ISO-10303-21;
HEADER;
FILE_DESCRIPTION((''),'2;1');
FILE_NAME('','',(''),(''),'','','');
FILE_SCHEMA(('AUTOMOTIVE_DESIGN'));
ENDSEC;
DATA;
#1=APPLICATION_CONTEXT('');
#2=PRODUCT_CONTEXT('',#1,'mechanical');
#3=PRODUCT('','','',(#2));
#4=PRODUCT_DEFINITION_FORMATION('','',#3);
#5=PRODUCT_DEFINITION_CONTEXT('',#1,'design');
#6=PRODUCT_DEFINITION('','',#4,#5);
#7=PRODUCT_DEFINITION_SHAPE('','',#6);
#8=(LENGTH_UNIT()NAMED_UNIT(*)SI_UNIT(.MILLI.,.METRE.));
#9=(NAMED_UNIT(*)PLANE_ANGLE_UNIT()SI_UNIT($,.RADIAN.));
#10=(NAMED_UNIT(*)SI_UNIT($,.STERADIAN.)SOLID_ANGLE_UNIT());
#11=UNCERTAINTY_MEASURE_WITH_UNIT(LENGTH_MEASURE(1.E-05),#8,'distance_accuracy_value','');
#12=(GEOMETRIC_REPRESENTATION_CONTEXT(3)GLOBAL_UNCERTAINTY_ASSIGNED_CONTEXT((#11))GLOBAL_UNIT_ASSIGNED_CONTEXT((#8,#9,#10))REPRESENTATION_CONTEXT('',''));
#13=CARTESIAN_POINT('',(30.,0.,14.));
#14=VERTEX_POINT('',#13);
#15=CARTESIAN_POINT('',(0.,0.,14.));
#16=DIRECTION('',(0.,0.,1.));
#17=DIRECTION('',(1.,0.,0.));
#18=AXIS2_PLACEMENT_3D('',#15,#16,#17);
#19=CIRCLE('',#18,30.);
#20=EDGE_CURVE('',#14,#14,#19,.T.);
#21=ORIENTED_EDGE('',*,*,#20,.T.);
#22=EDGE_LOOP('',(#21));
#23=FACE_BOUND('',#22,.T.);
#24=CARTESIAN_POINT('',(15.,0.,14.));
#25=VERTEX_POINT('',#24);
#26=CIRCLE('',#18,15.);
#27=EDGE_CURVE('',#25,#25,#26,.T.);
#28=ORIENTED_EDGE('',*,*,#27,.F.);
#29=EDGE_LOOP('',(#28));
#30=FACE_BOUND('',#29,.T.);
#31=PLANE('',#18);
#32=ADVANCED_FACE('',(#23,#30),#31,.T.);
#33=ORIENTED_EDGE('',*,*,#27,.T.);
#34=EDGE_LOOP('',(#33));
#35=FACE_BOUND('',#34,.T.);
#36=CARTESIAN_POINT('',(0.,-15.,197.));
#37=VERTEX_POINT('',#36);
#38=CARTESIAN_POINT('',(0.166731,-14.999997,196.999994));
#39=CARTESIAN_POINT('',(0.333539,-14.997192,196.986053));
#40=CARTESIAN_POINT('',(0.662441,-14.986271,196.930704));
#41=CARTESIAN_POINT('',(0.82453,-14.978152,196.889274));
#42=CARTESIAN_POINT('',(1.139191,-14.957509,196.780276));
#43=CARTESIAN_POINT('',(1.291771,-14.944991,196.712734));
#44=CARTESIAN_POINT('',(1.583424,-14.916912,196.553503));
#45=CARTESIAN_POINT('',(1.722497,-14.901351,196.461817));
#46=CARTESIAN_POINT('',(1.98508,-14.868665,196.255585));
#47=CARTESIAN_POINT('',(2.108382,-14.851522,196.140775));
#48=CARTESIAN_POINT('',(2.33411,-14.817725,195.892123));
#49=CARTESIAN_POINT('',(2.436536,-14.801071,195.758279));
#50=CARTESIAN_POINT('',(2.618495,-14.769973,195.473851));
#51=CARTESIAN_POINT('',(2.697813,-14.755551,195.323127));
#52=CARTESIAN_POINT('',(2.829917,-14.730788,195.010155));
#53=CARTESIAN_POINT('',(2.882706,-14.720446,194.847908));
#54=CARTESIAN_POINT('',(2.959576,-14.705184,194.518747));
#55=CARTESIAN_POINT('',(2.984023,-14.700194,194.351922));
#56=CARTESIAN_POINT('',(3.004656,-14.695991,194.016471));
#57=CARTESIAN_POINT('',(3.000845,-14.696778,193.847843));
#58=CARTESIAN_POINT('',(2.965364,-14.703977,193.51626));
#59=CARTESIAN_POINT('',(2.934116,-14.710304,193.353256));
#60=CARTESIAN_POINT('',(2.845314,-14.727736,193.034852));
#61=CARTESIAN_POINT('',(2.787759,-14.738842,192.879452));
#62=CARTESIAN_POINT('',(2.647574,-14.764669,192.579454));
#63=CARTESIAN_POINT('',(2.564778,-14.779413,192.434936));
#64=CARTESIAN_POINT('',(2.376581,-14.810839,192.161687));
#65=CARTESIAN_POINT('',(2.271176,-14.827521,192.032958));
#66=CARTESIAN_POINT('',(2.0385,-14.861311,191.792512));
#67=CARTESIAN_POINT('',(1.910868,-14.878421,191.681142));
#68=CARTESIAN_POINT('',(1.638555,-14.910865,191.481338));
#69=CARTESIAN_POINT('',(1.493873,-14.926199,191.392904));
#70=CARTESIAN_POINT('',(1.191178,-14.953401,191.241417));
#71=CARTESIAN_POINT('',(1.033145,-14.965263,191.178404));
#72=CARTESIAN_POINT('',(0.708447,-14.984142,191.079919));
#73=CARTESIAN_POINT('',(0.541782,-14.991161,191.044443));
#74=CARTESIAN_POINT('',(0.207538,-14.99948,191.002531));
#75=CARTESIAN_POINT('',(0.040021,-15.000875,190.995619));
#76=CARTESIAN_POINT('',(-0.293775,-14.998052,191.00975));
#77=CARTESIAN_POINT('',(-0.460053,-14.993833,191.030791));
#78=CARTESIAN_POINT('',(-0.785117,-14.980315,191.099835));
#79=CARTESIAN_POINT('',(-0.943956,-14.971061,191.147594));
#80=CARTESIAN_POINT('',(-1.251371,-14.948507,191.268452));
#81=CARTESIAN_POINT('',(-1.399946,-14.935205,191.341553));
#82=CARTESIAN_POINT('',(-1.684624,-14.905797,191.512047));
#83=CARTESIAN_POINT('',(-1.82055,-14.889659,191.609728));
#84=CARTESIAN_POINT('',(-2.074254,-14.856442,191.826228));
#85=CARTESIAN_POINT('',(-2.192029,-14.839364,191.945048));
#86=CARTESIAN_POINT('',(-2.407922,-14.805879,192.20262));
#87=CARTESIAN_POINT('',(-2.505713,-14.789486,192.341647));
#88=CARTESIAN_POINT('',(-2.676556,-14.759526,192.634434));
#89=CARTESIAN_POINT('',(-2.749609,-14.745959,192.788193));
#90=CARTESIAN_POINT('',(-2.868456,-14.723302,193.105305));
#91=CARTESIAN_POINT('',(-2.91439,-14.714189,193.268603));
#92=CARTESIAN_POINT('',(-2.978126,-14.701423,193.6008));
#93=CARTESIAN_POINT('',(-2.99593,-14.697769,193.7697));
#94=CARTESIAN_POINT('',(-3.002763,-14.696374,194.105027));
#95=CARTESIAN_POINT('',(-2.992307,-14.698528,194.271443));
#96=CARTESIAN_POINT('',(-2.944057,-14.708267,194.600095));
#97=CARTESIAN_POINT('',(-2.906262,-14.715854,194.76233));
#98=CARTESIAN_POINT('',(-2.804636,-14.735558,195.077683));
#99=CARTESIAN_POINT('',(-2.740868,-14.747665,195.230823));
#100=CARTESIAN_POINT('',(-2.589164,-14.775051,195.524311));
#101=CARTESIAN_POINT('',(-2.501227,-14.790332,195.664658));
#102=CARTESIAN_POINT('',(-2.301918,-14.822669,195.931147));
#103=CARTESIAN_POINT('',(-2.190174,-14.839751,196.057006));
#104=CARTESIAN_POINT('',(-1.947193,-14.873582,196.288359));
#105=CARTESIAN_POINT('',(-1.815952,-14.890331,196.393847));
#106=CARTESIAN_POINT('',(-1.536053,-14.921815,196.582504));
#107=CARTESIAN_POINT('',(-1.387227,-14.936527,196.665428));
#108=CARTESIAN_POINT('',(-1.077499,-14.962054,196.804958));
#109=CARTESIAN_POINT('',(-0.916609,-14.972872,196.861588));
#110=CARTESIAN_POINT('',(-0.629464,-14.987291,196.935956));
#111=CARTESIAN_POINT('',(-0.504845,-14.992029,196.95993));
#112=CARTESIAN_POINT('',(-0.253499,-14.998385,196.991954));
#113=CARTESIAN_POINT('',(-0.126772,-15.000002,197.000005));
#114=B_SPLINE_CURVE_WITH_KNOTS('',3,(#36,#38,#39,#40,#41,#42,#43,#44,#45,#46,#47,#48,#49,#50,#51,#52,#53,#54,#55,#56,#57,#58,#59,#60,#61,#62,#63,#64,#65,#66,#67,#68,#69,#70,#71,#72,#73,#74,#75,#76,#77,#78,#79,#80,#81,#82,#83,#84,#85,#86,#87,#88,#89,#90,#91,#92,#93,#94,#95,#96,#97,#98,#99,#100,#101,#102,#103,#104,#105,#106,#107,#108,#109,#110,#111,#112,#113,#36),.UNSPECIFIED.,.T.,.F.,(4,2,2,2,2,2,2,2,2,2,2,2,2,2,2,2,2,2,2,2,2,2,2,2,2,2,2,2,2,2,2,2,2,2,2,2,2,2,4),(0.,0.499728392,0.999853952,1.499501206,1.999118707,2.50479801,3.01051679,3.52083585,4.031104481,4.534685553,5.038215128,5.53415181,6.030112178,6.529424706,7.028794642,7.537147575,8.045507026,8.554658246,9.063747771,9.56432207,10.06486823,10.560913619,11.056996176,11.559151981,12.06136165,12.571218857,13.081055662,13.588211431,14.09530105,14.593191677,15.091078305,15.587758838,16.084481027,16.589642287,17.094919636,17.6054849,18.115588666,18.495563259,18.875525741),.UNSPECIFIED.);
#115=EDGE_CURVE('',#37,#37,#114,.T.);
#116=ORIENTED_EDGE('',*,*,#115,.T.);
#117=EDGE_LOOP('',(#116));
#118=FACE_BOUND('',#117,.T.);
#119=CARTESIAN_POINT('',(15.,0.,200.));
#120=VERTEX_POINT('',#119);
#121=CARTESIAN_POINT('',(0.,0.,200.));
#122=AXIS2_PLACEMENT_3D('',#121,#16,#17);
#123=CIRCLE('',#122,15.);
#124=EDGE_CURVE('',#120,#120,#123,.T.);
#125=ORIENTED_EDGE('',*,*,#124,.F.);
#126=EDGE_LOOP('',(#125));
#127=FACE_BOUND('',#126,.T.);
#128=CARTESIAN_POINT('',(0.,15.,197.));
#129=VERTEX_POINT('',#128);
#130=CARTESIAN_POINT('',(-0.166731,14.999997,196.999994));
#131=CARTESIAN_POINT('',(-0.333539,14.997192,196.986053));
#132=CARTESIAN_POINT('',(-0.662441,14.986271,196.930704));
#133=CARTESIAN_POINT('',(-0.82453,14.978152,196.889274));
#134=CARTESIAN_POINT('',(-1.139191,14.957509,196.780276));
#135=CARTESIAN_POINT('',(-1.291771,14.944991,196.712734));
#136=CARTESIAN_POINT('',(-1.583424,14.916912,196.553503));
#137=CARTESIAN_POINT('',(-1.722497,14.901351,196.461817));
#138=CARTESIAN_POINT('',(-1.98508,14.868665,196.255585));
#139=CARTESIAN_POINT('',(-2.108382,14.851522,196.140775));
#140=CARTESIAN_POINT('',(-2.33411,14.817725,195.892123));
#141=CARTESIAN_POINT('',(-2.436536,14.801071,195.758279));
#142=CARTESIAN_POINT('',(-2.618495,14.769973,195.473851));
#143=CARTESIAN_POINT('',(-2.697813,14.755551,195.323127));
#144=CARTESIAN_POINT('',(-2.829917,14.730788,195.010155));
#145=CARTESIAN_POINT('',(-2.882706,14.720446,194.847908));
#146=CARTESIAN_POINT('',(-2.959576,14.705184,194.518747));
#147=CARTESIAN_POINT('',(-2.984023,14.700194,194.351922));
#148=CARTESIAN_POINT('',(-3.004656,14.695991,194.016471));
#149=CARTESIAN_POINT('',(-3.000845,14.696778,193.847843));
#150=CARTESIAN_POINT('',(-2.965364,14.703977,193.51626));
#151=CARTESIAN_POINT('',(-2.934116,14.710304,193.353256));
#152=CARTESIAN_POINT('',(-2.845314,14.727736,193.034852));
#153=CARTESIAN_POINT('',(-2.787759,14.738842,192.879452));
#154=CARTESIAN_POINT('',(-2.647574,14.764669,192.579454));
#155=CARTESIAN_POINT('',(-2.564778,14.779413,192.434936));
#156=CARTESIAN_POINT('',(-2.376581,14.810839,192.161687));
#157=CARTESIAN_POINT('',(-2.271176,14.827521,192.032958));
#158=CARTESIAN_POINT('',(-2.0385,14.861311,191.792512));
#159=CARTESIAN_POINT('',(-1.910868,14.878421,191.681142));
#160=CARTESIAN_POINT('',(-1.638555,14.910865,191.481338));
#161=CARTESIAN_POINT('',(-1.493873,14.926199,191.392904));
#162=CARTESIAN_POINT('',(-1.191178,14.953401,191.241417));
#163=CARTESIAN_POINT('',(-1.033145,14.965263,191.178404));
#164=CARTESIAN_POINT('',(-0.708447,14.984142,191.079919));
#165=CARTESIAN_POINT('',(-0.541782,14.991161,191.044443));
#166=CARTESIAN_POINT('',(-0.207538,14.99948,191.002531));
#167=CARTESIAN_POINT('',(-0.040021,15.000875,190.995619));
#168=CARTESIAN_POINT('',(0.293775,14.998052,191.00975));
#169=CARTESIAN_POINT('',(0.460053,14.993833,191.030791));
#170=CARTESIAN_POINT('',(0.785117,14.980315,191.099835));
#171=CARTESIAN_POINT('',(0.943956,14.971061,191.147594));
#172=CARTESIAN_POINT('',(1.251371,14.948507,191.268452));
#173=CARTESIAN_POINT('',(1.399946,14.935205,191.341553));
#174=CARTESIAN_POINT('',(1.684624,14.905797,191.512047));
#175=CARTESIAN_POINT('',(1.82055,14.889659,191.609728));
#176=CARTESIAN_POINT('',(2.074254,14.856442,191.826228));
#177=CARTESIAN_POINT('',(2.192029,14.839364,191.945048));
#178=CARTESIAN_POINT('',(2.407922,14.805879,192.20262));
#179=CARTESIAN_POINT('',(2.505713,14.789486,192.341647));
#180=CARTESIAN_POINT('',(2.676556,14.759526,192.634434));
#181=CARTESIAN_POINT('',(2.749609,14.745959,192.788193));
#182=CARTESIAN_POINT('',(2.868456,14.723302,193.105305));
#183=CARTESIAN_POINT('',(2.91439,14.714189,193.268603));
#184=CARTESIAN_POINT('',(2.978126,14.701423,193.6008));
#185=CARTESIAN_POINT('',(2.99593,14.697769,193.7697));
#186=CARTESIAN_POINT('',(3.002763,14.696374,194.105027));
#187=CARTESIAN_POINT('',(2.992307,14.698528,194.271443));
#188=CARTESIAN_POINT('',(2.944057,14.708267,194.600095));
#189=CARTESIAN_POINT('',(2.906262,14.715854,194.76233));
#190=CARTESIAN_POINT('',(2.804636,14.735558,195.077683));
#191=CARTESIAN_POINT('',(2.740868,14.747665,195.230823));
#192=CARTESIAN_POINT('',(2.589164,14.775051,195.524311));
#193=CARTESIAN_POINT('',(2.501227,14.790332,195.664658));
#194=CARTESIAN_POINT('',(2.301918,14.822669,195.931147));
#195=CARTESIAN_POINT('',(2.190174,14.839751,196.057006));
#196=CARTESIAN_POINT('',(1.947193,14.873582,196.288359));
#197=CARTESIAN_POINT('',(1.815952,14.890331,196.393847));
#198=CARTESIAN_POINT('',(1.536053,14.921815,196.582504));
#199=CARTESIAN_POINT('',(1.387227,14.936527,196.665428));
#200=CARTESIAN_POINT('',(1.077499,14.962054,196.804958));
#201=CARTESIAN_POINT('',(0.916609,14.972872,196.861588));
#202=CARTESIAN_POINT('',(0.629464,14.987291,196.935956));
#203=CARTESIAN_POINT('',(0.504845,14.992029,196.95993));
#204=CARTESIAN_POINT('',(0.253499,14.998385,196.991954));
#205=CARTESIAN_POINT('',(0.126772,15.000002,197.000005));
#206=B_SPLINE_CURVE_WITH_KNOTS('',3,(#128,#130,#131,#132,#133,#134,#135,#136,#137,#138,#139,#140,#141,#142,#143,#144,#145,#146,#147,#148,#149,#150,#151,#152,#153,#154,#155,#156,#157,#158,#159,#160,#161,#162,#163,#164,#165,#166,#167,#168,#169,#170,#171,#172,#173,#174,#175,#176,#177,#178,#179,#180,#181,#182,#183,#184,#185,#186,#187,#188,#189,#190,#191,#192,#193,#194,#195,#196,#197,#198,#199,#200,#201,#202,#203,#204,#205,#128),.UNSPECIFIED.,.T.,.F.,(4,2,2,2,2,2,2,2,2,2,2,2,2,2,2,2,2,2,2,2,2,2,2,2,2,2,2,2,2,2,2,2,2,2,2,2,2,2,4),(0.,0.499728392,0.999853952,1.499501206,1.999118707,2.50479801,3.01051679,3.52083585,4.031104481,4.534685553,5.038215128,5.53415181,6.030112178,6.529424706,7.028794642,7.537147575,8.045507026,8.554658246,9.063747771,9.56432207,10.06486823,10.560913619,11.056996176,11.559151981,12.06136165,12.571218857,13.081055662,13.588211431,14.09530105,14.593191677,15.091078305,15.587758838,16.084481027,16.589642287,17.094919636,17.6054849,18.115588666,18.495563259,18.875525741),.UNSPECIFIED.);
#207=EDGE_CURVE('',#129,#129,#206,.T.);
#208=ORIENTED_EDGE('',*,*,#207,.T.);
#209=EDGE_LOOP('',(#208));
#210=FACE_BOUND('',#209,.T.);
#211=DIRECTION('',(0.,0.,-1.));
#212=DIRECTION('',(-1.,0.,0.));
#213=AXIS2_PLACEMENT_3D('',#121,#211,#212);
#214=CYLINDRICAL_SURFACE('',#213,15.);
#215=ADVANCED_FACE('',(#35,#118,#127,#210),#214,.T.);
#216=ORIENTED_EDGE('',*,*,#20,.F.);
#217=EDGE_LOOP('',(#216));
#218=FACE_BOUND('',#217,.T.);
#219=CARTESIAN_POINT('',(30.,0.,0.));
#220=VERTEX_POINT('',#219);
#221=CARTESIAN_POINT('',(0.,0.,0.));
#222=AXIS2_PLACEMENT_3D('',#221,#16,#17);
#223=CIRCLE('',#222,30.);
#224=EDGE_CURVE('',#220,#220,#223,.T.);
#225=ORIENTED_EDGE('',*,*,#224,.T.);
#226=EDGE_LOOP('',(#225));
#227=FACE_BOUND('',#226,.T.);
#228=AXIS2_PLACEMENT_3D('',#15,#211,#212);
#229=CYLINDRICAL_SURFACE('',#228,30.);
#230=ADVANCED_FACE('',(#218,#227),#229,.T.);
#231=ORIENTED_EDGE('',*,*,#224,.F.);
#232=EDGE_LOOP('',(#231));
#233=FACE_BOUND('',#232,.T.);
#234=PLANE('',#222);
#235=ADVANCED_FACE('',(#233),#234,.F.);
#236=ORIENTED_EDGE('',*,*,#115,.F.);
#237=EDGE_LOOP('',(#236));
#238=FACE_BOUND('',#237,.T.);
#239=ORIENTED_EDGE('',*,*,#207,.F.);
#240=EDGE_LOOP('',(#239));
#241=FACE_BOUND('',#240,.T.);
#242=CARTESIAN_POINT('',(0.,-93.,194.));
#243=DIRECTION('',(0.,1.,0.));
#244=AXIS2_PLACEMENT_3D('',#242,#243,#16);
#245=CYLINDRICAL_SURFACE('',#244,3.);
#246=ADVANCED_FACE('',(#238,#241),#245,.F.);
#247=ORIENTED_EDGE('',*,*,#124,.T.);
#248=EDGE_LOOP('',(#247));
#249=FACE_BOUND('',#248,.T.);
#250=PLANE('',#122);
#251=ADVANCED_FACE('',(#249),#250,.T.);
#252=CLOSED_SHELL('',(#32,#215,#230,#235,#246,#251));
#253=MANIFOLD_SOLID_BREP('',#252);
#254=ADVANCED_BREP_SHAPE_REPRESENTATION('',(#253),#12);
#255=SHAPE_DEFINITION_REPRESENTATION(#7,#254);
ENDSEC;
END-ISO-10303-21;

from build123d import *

# Parameters (mm, degrees)
SKETCH1_R           = 30
BOSS_EXTRUDE1_DEPTH = 14
SKETCH2_R           = 15
BOSS_EXTRUDE2_DEPTH = 186
SKETCH3_R           = 3
CUT_EXTRUDE1_DEPTH  = 93


with BuildPart() as part:
    # Sketch1 → Boss-Extrude1 (new body)
    with BuildSketch(Plane.XY):
        Circle(SKETCH1_R)
    extrude(amount=BOSS_EXTRUDE1_DEPTH)

    # Sketch2 → Boss-Extrude2 (add)
    with BuildSketch(Plane.XY.offset(14)):
        with Locations(Location((0, 0, 0), (0, 0, 180))):
            Circle(SKETCH2_R)
    extrude(amount=BOSS_EXTRUDE2_DEPTH)

    # Sketch3 → Cut-Extrude1 (cut, symmetric)
    with BuildSketch(Plane(origin=(0, 0, 0), x_dir=(1, 0, 0), z_dir=(0, 1, 0))):
        with Locations(Location((0, -194, 0), (0, 0, 270))):
            Circle(SKETCH3_R)
    extrude(amount=CUT_EXTRUDE1_DEPTH, both=True, mode=Mode.SUBTRACT)


solid = part.part
